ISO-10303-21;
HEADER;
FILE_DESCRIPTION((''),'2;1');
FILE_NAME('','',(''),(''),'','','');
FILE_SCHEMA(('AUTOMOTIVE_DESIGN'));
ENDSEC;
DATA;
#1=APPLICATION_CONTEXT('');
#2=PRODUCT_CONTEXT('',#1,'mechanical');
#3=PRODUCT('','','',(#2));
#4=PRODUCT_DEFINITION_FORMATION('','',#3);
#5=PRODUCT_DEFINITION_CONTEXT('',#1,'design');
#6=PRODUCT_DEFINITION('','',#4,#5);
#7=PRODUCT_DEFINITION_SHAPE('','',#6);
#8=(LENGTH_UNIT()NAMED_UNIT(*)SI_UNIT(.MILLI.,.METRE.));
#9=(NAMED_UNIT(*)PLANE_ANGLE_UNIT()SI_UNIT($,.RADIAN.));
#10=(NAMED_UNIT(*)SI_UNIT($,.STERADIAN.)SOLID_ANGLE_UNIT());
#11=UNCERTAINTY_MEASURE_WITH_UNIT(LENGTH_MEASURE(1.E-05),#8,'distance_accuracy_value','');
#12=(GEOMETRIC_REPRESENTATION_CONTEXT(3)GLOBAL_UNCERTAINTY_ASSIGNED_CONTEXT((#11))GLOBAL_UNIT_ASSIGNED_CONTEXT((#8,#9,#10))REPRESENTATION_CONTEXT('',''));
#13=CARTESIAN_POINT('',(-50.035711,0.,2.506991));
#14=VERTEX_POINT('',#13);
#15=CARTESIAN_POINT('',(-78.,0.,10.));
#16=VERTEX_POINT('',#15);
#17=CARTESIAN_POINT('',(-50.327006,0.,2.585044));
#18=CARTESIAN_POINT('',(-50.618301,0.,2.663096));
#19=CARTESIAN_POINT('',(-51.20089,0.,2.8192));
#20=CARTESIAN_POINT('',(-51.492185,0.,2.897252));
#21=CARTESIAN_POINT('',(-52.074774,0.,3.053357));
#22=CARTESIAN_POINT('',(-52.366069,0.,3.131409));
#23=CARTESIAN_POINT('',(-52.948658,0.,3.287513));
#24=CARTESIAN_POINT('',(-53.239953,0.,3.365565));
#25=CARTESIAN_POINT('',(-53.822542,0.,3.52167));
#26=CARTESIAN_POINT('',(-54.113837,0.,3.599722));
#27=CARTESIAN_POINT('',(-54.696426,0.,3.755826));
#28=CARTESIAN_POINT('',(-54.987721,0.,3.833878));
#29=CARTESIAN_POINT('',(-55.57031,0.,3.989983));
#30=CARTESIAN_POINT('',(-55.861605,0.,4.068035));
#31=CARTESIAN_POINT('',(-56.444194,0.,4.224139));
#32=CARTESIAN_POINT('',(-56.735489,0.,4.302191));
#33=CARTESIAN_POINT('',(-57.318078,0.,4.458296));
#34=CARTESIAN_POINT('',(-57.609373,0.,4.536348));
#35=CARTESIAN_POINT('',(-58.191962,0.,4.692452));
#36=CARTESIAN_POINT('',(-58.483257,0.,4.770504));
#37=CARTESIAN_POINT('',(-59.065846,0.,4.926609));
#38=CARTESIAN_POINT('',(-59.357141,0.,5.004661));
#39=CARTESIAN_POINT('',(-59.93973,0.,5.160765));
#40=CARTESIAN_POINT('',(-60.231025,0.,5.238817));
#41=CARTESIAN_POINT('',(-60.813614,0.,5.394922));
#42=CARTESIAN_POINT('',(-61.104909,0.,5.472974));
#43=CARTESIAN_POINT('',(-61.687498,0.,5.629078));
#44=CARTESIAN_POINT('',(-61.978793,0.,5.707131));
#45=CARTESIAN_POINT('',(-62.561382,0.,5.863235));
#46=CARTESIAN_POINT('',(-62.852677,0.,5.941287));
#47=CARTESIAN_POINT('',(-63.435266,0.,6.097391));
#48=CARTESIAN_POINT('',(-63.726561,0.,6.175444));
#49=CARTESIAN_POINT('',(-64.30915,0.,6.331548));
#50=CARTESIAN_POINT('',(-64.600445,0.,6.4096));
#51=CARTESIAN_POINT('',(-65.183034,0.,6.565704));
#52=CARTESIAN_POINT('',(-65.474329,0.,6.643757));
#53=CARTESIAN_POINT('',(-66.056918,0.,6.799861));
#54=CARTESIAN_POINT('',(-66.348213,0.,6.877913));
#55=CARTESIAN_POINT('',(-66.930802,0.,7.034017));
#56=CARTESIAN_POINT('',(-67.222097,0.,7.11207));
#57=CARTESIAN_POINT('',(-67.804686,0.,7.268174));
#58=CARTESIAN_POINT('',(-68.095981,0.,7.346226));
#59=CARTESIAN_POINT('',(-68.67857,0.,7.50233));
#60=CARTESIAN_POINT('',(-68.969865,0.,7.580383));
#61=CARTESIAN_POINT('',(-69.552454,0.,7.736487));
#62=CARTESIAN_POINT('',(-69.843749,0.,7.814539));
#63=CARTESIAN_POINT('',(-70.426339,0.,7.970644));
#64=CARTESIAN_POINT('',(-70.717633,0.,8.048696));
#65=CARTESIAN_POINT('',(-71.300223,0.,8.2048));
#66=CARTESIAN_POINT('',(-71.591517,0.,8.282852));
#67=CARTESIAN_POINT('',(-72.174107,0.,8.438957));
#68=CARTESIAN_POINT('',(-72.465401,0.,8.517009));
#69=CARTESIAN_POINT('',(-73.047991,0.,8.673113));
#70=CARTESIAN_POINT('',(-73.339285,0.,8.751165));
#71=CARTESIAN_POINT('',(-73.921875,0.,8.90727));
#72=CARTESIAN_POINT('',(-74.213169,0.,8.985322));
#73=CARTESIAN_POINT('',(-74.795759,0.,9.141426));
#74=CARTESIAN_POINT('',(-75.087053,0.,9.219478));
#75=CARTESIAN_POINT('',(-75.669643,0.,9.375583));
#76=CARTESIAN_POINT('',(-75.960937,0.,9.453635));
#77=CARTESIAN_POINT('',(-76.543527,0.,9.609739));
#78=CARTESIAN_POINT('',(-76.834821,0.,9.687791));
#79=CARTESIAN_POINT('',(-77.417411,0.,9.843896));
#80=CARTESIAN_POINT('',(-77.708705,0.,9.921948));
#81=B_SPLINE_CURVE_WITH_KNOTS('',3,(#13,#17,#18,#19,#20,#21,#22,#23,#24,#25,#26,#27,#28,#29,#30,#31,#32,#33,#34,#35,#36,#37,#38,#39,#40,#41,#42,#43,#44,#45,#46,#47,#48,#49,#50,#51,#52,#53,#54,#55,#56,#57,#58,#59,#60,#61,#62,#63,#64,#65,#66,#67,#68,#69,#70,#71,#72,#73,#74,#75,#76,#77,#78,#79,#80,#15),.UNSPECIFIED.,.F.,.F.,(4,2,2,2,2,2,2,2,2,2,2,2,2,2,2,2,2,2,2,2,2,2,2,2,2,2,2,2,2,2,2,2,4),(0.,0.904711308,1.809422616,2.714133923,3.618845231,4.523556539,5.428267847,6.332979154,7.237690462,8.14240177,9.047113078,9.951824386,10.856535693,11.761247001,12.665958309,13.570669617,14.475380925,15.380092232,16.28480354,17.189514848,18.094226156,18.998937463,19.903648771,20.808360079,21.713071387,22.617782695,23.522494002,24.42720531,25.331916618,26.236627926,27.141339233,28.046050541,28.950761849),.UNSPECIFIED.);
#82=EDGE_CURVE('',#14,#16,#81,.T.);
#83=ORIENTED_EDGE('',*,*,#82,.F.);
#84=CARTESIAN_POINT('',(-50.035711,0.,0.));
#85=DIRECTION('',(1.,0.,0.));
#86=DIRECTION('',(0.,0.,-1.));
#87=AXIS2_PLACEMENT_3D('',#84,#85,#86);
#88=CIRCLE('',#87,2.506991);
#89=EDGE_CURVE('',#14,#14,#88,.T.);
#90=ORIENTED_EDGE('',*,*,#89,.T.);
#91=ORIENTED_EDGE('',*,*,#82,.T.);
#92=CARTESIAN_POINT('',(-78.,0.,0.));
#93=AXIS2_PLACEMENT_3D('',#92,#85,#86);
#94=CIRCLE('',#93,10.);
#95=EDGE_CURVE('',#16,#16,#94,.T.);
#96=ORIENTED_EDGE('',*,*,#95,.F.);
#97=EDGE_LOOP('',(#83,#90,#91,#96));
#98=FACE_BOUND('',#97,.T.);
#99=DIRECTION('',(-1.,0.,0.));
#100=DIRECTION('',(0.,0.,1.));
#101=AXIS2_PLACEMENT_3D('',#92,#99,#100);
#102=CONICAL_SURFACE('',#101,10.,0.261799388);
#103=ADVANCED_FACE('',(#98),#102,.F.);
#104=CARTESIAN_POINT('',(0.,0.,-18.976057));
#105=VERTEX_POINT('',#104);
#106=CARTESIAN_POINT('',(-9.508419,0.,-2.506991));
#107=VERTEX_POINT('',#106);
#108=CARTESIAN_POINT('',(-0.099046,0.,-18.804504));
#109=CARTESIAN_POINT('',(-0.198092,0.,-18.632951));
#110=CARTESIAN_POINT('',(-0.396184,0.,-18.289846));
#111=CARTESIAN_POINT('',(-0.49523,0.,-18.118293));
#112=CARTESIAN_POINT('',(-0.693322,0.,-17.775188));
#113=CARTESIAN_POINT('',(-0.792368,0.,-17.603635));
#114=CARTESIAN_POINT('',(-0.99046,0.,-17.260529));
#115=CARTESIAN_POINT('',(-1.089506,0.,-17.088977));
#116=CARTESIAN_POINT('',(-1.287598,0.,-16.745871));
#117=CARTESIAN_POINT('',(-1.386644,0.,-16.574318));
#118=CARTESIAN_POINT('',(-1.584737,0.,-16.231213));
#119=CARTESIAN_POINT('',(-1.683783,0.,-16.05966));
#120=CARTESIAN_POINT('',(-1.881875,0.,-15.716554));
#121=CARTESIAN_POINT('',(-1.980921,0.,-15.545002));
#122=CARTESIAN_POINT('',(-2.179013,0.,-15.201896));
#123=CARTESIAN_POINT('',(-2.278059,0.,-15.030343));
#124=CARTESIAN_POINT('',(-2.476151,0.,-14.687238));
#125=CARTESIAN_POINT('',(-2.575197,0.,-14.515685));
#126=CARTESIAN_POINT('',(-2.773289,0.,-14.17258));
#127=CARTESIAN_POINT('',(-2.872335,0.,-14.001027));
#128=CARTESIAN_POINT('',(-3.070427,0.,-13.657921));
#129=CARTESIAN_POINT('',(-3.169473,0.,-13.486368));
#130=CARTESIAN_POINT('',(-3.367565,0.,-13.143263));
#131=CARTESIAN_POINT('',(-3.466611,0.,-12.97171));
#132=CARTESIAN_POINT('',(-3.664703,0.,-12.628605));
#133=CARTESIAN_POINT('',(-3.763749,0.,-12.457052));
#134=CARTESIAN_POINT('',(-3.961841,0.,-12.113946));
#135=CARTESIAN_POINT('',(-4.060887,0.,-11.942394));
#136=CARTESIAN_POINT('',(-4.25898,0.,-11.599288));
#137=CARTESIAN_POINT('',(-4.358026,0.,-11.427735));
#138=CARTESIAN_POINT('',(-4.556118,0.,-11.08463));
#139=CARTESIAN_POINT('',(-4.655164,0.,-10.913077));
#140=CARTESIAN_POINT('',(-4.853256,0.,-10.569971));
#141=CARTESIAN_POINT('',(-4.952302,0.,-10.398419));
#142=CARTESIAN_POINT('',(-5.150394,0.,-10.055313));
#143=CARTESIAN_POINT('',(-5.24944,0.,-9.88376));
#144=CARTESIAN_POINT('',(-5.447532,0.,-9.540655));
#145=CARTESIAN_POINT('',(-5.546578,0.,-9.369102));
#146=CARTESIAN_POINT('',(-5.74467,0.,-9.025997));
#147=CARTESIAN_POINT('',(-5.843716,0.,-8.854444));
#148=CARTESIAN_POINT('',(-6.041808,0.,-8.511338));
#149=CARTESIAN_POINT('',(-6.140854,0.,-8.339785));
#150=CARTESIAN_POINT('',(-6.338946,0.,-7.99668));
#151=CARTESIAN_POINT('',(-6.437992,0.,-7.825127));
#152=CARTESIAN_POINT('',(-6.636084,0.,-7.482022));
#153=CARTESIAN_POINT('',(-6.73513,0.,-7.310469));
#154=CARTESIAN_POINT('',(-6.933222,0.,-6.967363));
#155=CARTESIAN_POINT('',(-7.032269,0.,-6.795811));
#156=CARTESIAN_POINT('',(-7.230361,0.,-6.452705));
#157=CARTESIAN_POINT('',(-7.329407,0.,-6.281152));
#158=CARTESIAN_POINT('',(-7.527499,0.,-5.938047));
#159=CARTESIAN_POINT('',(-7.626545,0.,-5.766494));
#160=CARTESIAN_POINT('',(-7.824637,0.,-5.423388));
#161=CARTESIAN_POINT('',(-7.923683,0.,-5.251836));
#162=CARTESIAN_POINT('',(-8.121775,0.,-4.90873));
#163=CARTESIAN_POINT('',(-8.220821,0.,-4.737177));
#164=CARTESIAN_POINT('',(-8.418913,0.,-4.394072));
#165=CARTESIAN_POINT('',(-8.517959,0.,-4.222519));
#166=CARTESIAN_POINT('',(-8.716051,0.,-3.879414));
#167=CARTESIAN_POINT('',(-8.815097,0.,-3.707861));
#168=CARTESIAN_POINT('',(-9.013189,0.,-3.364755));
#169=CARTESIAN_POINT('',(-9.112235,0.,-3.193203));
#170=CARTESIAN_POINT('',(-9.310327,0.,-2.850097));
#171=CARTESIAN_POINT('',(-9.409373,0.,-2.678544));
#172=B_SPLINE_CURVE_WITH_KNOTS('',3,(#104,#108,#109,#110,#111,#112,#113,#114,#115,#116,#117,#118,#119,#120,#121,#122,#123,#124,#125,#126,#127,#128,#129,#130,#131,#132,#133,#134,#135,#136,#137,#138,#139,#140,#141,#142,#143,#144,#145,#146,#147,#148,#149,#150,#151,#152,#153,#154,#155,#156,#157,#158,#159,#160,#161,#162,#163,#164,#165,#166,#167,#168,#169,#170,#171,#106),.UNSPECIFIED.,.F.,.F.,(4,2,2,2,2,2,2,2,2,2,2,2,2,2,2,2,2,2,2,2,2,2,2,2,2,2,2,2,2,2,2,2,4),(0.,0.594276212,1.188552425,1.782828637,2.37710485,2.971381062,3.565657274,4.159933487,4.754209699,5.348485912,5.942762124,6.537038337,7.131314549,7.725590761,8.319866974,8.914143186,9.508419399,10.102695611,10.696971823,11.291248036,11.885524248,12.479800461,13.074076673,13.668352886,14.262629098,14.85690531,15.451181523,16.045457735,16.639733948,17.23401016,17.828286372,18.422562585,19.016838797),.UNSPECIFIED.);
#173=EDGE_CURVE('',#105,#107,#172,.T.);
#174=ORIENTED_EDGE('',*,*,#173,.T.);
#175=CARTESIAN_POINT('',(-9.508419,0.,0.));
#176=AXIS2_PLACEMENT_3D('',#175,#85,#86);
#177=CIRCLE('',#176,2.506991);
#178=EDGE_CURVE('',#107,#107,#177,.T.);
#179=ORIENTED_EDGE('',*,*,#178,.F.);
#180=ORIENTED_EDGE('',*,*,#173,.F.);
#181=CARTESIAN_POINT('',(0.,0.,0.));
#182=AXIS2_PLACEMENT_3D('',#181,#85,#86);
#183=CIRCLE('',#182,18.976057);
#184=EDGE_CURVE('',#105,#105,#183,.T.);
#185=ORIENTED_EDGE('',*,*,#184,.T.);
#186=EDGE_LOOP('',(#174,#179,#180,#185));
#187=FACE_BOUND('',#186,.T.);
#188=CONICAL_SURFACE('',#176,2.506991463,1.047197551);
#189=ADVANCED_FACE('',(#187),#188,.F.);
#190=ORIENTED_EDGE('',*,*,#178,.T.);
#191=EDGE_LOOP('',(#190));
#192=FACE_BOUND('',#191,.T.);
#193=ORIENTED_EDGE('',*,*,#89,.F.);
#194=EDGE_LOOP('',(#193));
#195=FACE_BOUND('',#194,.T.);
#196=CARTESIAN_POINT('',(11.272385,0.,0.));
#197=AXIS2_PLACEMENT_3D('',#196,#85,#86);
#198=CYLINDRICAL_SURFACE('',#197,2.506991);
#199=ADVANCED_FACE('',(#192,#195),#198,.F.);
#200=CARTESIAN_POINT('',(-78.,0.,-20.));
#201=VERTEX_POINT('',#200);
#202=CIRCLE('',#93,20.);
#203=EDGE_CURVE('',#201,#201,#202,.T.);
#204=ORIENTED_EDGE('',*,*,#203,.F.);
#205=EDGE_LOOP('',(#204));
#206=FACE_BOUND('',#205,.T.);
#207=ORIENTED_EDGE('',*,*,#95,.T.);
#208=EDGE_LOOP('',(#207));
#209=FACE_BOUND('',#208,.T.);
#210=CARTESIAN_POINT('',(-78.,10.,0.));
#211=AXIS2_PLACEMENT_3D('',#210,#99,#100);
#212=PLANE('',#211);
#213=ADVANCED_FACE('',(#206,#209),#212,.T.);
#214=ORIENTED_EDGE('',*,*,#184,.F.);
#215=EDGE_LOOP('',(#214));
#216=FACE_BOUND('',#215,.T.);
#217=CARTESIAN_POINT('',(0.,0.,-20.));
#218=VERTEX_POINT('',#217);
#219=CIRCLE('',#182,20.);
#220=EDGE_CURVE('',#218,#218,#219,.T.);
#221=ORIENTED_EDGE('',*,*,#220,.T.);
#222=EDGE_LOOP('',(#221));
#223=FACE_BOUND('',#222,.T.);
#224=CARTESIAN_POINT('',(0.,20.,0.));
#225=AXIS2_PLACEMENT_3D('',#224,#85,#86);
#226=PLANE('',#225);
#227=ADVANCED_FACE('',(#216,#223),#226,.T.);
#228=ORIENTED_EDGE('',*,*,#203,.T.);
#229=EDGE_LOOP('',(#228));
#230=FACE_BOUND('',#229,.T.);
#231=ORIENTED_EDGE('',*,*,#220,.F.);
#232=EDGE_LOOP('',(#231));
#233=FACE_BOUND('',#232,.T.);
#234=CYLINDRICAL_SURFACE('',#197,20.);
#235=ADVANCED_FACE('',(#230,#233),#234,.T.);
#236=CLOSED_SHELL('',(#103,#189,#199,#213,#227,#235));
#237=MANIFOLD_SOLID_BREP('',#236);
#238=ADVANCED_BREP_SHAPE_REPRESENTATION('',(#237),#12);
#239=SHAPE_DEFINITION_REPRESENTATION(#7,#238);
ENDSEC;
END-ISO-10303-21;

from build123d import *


with BuildPart() as part:
    # Sketch1 → Revolve1 (revolve)
    with BuildSketch(Plane.XY, mode=Mode.PRIVATE) as revolve1_sk:
        Polygon((-78, 20), (0, 20), (0, 18.976056961), (-9.508419399, 2.506991463), (-50.035711439, 2.506991463), (-78, 10), align=None)
    revolve(revolve1_sk.sketch.rotate(Axis((11.272384543, 0, 0), (-1, 0, 0)), 90), axis=Axis((11.272384543, 0, 0), (-1, 0, 0)))


solid = part.part
